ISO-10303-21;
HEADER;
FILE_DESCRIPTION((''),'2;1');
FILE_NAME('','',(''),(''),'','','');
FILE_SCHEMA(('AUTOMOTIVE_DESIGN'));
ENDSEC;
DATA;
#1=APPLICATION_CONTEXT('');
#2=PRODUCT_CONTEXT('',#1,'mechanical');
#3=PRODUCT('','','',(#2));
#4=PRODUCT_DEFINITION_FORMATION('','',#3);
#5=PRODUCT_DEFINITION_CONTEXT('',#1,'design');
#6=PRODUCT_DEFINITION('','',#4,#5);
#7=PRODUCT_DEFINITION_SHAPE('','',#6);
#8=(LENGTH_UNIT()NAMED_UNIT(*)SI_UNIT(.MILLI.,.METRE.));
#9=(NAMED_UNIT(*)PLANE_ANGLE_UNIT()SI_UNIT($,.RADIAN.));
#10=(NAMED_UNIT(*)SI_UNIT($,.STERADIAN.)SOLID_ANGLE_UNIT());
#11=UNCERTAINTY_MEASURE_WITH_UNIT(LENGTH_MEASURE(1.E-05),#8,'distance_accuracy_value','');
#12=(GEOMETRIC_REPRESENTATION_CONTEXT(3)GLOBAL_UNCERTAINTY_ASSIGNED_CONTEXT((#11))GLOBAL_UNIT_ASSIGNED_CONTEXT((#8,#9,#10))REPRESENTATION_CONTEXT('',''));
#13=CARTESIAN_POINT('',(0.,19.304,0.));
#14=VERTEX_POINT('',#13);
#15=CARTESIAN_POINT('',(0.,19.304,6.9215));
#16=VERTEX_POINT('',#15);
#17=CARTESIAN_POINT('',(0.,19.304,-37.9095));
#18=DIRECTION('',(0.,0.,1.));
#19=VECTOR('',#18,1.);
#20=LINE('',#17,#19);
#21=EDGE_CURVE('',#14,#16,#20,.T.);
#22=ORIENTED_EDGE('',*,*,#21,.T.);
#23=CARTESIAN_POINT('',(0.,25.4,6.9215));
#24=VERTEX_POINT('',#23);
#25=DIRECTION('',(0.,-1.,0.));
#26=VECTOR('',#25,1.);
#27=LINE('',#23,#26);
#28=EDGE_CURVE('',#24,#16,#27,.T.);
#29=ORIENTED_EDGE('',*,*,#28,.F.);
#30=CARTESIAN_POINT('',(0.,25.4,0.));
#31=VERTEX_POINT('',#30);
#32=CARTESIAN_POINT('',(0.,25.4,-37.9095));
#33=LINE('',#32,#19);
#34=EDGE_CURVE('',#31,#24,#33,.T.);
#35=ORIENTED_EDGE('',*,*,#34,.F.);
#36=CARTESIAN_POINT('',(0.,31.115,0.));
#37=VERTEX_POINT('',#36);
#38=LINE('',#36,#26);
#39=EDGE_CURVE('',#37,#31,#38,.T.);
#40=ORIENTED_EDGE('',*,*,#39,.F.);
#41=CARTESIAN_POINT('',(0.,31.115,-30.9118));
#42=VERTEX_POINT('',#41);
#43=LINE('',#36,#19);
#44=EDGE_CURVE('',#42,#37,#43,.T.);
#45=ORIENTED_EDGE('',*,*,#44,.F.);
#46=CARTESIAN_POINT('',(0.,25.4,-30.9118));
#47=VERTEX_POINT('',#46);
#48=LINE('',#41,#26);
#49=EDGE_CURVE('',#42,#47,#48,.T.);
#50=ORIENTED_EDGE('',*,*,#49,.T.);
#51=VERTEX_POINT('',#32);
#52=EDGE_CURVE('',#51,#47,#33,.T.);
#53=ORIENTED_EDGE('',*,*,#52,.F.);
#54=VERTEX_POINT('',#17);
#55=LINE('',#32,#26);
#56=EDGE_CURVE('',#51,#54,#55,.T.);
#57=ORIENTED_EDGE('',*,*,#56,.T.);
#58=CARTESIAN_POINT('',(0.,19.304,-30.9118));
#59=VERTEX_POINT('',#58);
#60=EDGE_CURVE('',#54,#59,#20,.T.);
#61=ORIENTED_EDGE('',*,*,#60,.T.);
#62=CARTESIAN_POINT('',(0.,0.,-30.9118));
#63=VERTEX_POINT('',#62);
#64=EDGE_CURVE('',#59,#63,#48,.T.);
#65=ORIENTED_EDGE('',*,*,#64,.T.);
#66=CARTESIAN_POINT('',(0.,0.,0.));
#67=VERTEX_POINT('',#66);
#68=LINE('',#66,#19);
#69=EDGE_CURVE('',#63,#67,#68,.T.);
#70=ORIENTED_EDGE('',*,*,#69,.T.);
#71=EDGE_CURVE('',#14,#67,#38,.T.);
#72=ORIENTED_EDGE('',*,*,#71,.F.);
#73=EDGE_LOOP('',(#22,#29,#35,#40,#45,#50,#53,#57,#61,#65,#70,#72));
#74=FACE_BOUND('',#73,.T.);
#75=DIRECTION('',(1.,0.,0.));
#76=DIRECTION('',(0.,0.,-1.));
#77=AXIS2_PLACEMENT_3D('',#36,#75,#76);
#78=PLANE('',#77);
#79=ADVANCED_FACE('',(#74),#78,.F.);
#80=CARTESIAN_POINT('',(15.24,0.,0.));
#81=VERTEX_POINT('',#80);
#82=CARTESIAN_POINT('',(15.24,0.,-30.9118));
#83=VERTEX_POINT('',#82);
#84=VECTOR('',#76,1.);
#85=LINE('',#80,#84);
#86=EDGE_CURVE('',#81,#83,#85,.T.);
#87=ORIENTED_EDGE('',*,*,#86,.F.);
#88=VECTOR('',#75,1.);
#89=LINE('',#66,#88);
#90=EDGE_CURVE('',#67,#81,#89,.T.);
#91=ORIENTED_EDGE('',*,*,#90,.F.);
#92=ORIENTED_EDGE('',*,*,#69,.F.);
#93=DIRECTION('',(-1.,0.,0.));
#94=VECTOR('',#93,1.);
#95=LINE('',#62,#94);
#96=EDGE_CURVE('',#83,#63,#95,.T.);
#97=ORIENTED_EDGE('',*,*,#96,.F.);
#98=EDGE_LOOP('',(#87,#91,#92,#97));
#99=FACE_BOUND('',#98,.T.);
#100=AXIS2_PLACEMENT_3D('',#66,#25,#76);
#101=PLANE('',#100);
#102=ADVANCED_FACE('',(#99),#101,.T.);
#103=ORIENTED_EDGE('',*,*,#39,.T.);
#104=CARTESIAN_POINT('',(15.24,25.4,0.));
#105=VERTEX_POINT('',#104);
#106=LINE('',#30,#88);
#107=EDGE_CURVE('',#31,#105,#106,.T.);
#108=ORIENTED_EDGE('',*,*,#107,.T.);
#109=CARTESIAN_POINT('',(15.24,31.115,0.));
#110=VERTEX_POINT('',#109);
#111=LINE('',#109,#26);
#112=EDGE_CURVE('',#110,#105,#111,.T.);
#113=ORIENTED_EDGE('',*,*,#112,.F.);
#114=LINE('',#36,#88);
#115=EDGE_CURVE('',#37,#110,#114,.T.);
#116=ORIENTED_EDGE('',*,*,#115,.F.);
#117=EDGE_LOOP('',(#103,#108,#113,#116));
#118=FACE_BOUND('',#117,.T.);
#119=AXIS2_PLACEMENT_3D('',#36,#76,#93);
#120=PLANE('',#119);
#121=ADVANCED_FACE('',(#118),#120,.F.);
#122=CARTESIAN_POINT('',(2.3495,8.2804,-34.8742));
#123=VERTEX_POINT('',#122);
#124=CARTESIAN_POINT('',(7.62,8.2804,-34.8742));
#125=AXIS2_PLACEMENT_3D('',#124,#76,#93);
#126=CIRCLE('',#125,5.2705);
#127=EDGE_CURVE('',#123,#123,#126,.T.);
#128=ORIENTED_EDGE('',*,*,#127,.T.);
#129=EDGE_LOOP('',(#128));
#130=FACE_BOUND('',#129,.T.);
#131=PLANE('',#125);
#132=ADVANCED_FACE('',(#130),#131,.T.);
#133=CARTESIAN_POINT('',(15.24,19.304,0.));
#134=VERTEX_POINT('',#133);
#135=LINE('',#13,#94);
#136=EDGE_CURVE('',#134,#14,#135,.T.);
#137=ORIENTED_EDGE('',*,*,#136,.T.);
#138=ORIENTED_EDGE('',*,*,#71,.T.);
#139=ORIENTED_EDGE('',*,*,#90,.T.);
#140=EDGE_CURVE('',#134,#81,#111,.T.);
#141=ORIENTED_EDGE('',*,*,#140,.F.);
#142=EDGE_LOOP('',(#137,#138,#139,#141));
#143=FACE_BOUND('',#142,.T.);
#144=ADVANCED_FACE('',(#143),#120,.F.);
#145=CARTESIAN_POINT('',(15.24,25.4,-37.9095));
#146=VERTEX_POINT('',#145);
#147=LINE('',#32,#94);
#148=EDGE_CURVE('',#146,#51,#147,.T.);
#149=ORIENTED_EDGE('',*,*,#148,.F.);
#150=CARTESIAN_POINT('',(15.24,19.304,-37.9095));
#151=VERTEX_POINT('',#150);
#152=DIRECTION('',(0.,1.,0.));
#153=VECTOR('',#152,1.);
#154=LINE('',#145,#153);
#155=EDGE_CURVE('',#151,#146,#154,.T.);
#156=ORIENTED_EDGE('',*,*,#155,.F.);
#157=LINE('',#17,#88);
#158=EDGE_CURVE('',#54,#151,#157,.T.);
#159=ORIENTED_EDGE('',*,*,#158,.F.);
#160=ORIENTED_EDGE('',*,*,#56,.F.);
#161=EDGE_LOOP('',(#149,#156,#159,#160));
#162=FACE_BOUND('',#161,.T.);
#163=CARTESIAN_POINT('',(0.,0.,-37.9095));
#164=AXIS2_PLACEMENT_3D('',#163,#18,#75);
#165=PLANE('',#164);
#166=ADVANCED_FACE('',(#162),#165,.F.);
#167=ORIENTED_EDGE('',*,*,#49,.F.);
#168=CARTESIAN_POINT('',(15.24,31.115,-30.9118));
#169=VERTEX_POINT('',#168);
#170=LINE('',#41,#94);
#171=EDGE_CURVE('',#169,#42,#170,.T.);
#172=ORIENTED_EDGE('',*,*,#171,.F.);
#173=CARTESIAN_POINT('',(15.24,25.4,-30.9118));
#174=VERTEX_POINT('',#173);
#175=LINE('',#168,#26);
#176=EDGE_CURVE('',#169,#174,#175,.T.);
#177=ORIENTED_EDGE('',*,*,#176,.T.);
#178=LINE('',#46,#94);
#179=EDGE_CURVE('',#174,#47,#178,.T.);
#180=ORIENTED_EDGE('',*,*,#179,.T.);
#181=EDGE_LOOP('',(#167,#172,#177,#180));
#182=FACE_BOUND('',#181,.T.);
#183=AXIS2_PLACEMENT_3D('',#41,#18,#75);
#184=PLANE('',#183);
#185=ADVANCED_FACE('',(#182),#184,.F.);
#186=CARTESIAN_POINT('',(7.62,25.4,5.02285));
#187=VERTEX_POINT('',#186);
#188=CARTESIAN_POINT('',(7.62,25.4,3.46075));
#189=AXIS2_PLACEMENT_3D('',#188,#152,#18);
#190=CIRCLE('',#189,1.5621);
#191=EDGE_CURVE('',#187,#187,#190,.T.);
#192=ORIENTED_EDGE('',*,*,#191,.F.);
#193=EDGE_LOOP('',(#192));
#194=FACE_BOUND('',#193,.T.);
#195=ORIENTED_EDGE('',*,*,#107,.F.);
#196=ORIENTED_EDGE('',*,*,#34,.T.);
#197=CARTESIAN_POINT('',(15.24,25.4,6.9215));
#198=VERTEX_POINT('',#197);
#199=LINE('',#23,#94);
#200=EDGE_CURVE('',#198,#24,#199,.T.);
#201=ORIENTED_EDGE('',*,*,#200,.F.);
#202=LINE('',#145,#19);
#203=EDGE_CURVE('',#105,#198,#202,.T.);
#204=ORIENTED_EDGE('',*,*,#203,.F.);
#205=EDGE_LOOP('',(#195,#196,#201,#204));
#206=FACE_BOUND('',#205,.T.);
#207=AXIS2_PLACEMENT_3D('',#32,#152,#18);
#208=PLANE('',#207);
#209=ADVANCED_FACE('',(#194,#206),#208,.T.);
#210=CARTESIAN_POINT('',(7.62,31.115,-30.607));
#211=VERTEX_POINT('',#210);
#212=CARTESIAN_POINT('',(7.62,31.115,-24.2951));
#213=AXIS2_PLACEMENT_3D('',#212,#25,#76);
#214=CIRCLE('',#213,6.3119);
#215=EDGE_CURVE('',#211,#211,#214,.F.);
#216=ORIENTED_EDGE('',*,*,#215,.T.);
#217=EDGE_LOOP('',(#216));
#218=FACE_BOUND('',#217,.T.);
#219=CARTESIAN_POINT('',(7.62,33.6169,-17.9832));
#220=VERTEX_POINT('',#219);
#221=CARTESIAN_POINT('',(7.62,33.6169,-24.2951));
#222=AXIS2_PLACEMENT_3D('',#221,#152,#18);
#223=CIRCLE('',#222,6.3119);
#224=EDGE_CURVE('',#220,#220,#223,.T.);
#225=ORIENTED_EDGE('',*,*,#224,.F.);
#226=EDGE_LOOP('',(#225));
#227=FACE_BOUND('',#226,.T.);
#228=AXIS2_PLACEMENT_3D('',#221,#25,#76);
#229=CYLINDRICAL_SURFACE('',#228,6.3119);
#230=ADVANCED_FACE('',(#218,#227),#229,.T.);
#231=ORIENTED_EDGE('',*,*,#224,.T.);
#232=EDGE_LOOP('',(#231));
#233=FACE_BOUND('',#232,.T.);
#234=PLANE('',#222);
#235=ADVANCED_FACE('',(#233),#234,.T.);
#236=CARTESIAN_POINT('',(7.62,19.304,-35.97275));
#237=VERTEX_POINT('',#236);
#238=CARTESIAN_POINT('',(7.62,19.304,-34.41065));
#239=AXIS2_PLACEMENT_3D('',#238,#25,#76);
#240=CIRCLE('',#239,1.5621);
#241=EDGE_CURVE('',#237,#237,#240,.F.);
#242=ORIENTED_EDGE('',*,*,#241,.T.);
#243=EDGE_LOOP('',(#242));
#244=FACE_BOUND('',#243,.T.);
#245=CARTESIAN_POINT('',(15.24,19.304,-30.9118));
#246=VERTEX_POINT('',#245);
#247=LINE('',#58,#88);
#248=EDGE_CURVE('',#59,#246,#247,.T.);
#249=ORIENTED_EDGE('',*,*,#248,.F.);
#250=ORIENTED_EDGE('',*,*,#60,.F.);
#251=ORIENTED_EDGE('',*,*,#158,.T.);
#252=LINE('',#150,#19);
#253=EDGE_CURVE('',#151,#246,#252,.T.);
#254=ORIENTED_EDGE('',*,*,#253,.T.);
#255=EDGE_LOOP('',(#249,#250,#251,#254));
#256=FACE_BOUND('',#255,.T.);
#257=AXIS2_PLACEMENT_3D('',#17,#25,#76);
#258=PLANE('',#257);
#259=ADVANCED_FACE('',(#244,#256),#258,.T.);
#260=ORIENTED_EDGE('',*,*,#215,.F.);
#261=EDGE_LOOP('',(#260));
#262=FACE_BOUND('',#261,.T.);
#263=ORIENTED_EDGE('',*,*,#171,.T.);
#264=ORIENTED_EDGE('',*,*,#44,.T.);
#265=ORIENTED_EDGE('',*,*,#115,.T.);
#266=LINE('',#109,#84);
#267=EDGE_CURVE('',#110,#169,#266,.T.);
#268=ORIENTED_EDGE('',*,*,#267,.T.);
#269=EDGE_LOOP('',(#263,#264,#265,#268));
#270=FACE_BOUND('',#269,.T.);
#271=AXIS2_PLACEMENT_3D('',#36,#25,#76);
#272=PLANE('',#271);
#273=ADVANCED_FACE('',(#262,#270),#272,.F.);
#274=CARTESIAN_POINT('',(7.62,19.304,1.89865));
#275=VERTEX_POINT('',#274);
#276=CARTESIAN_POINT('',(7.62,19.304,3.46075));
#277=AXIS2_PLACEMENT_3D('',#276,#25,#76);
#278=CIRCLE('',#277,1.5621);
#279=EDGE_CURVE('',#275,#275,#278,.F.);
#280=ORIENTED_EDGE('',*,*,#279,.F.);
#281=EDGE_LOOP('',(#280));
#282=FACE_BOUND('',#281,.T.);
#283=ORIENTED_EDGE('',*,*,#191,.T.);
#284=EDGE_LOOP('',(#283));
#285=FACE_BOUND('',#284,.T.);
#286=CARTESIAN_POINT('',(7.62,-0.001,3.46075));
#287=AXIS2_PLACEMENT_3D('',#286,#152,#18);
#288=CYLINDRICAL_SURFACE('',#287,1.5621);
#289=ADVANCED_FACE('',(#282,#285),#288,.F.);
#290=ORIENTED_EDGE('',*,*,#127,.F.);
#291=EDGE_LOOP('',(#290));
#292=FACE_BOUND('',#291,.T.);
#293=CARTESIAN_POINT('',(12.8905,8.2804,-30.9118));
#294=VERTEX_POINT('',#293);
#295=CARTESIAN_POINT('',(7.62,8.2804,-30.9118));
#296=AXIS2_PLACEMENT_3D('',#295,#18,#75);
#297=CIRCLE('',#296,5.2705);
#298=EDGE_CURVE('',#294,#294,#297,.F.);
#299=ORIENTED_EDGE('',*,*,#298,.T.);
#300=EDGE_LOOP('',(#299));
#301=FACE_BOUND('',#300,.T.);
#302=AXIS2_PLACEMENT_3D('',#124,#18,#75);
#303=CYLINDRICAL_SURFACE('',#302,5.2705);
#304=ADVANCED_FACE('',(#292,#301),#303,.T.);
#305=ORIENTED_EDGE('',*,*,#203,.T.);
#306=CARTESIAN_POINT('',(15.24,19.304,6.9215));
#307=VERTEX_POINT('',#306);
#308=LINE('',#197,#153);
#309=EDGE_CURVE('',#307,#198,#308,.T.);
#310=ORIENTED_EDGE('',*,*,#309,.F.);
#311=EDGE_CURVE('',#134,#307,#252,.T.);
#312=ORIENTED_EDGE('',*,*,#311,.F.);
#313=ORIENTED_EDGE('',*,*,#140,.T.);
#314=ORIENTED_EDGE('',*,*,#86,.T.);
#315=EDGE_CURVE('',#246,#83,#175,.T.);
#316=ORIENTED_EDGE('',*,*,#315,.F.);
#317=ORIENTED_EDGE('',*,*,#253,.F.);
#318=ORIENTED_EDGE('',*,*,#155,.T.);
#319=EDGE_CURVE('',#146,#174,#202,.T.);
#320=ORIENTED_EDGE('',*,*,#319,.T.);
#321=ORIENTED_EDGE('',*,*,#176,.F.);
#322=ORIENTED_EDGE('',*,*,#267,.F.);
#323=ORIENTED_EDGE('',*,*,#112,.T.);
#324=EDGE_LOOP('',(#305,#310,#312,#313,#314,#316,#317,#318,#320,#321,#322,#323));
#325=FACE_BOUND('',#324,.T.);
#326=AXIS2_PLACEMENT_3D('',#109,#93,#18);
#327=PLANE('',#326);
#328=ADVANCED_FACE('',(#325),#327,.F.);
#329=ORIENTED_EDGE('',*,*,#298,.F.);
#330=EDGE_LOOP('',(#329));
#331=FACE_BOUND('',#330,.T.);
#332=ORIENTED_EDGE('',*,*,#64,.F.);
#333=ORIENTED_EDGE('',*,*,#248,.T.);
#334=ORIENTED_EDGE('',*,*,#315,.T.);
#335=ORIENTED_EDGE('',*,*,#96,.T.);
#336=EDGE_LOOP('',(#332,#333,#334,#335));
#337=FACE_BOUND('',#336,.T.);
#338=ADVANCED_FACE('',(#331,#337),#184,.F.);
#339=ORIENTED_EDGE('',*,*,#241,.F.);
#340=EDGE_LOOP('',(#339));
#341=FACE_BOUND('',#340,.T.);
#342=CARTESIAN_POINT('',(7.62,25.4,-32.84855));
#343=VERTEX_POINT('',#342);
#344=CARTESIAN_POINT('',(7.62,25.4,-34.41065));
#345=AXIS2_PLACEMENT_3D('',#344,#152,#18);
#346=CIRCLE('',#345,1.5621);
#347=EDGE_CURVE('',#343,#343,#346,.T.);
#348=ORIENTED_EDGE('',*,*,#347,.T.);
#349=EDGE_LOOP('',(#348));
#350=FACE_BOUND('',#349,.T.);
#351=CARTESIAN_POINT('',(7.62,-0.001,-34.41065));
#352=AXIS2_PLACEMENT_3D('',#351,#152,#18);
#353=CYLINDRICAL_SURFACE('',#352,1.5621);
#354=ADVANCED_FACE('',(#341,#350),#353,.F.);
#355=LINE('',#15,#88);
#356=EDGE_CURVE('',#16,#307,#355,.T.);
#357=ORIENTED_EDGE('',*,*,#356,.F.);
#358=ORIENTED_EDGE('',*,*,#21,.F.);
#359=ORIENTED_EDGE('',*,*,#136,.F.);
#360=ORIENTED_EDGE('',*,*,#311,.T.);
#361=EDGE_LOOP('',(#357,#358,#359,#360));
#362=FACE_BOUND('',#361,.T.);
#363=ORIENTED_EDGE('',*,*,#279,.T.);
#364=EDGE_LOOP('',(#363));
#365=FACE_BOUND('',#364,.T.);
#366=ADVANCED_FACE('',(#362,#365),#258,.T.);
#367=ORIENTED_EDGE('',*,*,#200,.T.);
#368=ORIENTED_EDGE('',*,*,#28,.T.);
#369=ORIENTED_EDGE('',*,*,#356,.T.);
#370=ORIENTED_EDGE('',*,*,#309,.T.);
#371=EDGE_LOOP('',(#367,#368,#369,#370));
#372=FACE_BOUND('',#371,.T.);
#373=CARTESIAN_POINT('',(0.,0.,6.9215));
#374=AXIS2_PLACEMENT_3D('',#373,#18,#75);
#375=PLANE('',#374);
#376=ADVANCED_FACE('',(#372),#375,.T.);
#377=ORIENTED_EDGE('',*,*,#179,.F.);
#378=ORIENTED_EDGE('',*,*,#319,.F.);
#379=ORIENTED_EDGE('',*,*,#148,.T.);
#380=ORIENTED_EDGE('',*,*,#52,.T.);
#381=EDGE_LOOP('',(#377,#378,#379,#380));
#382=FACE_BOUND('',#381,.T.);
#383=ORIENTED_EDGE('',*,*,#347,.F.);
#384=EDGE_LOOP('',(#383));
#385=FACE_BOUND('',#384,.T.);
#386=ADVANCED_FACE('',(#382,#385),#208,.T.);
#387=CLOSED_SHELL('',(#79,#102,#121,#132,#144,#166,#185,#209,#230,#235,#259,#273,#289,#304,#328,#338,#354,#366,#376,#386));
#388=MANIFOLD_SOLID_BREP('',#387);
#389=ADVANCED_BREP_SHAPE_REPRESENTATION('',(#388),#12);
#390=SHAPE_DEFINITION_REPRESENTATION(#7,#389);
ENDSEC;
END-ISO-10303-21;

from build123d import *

# Parameters (mm, degrees)
SKETCH1_W                = 15.24
SKETCH1_H                = 30.9118
BOSS_EXTRUDE1_DEPTH      = 31.115
SKETCH2_W                = 15.24
SKETCH2_H                = 6.096
BOSS_EXTRUDE2_DEPTH      = 6.9215
BOSS_EXTRUDE2_DEPTH_BACK = 37.9095
SKETCH3_R                = 5.2705
BOSS_EXTRUDE3_DEPTH      = 3.9624
SKETCH4_R                = 6.3119
BOSS_EXTRUDE4_DEPTH      = 2.5019
CUT_EXTRUDE1_REACH       = 27.4
SKETCH8_R                = 1.5621
CUT_EXTRUDE2_REACH       = 27.4
SKETCH9_R                = 1.5621


with BuildPart() as part:
    # Sketch1 → Boss-Extrude1 (new body)
    with BuildSketch(Plane(origin=(0, 0, 0), x_dir=(1, 0, 0), z_dir=(0, 1, 0))):
        with Locations((7.62, 15.4559)):
            Rectangle(SKETCH1_W, SKETCH1_H)
    extrude(amount=BOSS_EXTRUDE1_DEPTH)

    # Sketch2 → Boss-Extrude2 (add, two sides)
    with BuildSketch(Plane.XY) as boss_extrude2_sk:
        with Locations((7.62, 22.352)):
            Rectangle(SKETCH2_W, SKETCH2_H)
    extrude(amount=BOSS_EXTRUDE2_DEPTH)
    extrude(boss_extrude2_sk.sketch, amount=-BOSS_EXTRUDE2_DEPTH_BACK)

    # Sketch3 → Boss-Extrude3 (add)
    with BuildSketch(Plane(origin=(0, 0, -30.9118), x_dir=(-1, 0, 0), z_dir=(0, 0, -1))):
        with Locations((-7.62, 8.2804)):
            Circle(SKETCH3_R)
    extrude(amount=BOSS_EXTRUDE3_DEPTH)

    # Sketch4 → Boss-Extrude4 (add)
    with BuildSketch(Plane(origin=(0, 31.115, 0), x_dir=(1, 0, 0), z_dir=(0, 1, 0))):
        with Locations((7.62, 24.2951)):
            Circle(SKETCH4_R)
    extrude(amount=BOSS_EXTRUDE4_DEPTH)

    # Sketch8 → Cut-Extrude1 (cut, up to next)
    with BuildSketch(Plane(origin=(0, 25.4, 0), x_dir=(1, 0, 0), z_dir=(0, 1, 0)), mode=Mode.PRIVATE) as cut_extrude1_sk1:
        with Locations((7.62, -3.46075)):
            Circle(SKETCH8_R)
    cut_extrude1_tool1 = extrude(cut_extrude1_sk1.sketch, amount=-CUT_EXTRUDE1_REACH, mode=Mode.PRIVATE) & part.part
    add(cut_extrude1_tool1.solids().sort_by_distance((7.62, 25.4, 3.46075))[0], mode=Mode.SUBTRACT)

    # Sketch9 → Cut-Extrude2 (cut, up to next)
    with BuildSketch(Plane(origin=(0, 25.4, 0), x_dir=(1, 0, 0), z_dir=(0, 1, 0)), mode=Mode.PRIVATE) as cut_extrude2_sk1:
        with Locations((7.62, 34.41065)):
            Circle(SKETCH9_R)
    cut_extrude2_tool1 = extrude(cut_extrude2_sk1.sketch, amount=-CUT_EXTRUDE2_REACH, mode=Mode.PRIVATE) & part.part
    add(cut_extrude2_tool1.solids().sort_by_distance((7.62, 25.4, -34.41065))[0], mode=Mode.SUBTRACT)


solid = part.part
